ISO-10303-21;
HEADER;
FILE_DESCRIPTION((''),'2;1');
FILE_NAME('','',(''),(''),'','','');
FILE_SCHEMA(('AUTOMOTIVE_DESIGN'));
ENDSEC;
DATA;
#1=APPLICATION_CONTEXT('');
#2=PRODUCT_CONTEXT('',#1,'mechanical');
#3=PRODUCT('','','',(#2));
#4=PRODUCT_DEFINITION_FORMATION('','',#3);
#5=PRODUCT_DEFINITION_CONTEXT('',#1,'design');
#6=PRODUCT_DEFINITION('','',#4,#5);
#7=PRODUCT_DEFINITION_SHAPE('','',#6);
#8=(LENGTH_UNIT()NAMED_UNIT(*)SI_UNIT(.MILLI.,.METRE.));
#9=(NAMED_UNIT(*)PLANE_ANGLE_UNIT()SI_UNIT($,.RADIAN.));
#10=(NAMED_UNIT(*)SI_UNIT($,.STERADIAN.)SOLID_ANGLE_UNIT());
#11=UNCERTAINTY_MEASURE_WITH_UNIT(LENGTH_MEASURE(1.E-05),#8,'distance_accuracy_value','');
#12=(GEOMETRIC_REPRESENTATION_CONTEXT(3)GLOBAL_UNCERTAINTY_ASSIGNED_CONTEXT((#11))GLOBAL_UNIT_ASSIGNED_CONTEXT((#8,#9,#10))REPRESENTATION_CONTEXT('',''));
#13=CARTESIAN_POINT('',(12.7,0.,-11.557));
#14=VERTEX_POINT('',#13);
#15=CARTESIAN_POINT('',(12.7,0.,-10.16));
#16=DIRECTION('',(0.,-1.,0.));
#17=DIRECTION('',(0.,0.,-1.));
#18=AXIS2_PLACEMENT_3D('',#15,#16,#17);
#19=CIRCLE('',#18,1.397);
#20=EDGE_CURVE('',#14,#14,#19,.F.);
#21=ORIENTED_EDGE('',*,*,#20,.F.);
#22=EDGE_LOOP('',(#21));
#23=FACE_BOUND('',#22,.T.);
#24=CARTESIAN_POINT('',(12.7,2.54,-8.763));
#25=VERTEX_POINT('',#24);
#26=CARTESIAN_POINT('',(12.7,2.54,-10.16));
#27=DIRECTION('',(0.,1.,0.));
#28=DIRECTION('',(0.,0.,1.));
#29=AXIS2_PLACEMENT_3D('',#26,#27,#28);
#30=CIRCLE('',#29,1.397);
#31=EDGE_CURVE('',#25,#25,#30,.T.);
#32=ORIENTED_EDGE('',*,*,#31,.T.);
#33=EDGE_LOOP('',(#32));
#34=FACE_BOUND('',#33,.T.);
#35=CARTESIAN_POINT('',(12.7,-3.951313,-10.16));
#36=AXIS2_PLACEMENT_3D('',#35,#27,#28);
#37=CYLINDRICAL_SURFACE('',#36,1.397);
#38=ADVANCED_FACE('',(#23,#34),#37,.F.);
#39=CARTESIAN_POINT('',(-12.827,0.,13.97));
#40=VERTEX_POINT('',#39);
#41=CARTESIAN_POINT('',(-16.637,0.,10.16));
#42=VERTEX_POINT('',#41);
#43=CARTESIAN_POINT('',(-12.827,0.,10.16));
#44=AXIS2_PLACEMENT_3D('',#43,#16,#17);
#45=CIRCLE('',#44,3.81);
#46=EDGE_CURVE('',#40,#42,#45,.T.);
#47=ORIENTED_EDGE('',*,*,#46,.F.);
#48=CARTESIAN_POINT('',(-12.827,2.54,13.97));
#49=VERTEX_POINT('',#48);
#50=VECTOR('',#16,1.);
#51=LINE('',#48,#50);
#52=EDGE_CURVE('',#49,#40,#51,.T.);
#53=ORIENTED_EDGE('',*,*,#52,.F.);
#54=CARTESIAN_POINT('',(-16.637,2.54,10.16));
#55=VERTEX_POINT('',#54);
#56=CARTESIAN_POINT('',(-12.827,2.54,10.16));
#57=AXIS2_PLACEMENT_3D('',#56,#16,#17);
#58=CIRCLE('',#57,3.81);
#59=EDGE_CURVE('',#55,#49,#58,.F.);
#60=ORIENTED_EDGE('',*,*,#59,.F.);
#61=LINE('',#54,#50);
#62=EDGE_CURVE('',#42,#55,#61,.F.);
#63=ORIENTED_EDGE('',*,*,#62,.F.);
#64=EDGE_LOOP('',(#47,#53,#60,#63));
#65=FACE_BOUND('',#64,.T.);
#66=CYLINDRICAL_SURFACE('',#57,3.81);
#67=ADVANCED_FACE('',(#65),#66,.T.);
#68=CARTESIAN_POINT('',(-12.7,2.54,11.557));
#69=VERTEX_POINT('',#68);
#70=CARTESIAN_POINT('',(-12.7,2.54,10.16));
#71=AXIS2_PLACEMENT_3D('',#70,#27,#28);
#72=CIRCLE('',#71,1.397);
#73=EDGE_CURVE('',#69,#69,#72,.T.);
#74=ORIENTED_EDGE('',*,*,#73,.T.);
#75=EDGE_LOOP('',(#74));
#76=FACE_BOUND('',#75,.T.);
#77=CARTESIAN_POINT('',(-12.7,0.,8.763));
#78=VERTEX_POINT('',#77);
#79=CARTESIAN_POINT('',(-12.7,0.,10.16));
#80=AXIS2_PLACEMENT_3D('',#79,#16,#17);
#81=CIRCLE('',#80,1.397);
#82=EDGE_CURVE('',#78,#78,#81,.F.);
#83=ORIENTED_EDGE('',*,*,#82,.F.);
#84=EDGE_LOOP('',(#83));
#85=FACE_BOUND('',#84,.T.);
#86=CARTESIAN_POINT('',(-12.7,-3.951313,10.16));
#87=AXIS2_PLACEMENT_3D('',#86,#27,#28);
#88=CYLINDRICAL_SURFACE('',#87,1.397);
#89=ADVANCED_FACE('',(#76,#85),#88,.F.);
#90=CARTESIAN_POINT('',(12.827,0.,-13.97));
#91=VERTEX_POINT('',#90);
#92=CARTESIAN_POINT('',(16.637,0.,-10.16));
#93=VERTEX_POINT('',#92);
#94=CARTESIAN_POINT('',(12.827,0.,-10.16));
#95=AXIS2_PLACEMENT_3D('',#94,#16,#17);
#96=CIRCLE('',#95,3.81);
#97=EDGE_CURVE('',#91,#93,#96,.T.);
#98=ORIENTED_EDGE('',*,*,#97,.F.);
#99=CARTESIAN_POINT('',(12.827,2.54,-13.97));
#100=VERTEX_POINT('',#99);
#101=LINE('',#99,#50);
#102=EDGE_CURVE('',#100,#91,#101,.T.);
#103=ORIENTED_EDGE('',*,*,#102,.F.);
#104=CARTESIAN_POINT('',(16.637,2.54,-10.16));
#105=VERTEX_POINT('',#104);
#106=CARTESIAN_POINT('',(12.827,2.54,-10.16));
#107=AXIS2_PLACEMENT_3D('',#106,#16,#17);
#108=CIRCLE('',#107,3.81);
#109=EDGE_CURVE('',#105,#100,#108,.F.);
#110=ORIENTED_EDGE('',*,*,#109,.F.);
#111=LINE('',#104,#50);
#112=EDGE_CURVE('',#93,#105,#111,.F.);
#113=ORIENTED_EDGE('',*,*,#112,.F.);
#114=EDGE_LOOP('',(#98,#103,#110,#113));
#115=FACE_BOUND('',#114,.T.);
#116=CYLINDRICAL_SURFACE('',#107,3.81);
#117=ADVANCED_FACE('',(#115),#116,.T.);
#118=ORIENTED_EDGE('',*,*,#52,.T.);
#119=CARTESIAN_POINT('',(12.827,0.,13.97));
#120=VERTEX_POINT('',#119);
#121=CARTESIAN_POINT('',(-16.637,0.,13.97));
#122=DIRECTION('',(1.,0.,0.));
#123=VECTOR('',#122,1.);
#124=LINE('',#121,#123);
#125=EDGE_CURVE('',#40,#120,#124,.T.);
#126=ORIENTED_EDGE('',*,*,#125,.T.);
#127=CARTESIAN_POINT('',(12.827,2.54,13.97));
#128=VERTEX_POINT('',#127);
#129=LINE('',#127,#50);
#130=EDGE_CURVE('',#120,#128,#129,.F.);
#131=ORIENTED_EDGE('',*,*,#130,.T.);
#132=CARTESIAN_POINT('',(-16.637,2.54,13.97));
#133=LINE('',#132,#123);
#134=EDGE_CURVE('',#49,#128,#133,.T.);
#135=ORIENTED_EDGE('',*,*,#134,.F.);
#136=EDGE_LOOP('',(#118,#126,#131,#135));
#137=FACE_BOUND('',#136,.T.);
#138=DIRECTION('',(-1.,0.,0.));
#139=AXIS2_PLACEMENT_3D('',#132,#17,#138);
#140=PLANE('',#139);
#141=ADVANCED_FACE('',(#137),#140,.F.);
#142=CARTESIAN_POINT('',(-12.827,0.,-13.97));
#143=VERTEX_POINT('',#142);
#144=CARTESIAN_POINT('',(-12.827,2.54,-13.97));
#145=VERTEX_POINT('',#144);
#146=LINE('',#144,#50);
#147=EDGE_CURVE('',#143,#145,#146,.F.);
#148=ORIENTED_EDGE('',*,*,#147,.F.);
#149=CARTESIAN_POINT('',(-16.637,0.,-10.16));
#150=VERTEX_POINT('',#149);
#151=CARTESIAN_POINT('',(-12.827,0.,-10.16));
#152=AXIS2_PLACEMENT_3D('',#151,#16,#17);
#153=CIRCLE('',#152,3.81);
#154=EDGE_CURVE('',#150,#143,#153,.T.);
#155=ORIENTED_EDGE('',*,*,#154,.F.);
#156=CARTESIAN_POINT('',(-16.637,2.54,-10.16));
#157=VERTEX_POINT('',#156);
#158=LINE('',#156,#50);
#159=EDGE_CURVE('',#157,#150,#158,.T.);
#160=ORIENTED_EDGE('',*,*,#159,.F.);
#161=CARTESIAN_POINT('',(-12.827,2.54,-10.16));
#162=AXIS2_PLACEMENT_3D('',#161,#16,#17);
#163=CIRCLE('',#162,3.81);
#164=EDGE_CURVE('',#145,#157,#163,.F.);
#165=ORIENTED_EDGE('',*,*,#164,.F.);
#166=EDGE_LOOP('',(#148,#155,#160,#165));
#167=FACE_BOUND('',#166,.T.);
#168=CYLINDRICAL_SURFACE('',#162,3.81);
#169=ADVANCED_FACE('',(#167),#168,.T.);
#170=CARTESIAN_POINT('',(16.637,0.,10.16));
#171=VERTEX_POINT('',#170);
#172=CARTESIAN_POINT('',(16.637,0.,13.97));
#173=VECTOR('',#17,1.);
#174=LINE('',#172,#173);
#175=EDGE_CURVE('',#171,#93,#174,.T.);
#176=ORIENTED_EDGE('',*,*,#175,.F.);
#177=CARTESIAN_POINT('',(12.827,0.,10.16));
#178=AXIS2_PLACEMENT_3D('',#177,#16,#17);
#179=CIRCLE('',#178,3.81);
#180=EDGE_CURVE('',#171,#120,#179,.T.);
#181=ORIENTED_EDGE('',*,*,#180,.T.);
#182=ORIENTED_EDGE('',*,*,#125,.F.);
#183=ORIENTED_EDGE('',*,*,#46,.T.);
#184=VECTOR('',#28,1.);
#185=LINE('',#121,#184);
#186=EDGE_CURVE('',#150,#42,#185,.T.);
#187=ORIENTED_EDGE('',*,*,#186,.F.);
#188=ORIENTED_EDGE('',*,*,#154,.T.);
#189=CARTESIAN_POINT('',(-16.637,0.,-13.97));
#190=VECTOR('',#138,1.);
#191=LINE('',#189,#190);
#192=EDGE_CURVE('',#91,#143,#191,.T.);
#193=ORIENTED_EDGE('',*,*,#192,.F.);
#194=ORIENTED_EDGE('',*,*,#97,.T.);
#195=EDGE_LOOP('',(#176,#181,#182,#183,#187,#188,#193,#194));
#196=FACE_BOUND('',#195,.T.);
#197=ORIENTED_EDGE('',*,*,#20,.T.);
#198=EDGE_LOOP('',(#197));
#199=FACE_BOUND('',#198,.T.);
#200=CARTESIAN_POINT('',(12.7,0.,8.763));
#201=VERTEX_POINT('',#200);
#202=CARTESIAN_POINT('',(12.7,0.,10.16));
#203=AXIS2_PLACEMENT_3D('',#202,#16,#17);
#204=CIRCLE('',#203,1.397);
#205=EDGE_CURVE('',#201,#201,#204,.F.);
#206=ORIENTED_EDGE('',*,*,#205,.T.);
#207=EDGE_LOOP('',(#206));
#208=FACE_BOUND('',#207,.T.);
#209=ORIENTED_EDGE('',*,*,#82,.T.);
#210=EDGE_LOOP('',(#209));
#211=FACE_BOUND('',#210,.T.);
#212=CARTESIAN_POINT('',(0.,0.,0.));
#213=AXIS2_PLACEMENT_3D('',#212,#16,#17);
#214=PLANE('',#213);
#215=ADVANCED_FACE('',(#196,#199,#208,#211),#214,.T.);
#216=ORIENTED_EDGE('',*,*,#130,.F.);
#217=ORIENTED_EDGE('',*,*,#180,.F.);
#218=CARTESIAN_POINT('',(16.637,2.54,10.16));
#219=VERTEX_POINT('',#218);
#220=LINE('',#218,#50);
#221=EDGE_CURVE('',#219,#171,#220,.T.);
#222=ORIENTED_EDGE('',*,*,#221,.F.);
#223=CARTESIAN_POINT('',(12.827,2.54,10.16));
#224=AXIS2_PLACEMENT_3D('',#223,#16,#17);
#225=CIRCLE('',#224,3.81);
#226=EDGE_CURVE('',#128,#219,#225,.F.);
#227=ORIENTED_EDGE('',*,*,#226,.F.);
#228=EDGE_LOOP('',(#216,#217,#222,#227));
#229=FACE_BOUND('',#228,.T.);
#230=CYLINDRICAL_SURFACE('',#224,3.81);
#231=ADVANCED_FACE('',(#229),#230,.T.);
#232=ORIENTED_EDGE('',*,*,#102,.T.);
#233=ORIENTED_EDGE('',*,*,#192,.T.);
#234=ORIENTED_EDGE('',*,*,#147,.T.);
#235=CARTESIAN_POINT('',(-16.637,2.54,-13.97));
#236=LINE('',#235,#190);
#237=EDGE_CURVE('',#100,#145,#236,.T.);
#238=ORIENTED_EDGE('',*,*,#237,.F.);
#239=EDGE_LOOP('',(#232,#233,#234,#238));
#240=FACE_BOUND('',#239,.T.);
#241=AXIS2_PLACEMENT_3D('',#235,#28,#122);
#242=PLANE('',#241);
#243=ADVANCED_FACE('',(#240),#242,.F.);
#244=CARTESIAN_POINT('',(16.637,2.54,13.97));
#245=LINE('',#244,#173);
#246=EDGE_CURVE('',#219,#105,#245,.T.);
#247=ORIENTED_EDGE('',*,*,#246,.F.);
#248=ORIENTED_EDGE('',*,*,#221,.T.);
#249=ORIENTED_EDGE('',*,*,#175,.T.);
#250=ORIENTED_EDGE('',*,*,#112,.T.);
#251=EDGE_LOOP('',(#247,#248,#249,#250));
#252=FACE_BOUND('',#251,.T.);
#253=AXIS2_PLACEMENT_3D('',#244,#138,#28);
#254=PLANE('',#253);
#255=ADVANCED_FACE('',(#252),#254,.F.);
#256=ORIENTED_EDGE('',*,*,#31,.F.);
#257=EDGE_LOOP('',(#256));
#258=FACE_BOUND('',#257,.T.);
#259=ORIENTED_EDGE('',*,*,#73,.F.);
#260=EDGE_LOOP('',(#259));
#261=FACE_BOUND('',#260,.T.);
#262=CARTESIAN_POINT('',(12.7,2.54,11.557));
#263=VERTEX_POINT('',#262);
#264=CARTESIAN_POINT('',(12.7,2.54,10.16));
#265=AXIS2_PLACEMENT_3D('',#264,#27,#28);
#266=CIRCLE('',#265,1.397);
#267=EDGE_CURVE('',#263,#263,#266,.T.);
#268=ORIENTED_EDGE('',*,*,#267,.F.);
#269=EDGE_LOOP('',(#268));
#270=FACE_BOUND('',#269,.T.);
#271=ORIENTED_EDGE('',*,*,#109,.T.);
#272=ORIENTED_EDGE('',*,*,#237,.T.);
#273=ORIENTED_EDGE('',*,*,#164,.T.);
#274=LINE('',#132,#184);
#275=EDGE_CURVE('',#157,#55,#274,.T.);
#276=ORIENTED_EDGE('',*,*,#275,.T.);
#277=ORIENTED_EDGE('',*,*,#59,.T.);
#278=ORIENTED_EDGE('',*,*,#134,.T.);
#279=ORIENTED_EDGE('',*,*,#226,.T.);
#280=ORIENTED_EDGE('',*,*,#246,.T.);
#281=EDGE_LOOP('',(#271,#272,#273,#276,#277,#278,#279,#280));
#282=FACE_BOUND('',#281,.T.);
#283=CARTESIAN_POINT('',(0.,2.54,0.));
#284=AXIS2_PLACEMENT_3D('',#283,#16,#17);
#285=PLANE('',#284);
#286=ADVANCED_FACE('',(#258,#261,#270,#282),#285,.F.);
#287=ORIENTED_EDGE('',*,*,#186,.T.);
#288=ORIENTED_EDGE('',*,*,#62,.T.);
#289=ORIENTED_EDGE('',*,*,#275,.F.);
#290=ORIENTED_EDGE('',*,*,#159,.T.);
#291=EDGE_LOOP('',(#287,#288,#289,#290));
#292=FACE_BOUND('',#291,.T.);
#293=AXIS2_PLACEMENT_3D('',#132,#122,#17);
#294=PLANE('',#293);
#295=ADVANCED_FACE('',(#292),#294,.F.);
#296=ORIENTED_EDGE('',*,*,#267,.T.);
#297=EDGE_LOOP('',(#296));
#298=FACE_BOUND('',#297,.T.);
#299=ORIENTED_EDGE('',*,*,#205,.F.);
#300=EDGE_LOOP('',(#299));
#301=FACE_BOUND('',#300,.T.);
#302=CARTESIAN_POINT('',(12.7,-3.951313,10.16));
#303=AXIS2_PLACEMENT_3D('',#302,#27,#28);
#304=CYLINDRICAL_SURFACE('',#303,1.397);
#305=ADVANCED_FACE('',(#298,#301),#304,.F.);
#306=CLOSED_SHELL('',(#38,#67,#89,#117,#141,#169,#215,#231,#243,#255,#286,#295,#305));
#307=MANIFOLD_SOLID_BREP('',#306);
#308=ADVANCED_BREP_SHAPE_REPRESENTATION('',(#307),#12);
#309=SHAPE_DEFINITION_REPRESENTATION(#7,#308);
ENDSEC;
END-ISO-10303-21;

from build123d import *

# Parameters (mm, degrees)
SKETCH1_W           = 33.274
SKETCH1_H           = 27.94
BOSS_EXTRUDE1_DEPTH = 2.54
SKETCH2_R           = 1.397
CUT_EXTRUDE1_DEPTH  = 2.54
FILLET1_R           = 3.81


with BuildPart() as part:
    # Sketch1 → Boss-Extrude1 (new body)
    with BuildSketch(Plane(origin=(0, 0, 0), x_dir=(1, 0, 0), z_dir=(0, 1, 0))):
        Rectangle(SKETCH1_W, SKETCH1_H)
    extrude(amount=BOSS_EXTRUDE1_DEPTH)

    # Sketch2 → Cut-Extrude1 (cut)
    with BuildSketch(Plane(origin=(0, 2.54, 0), x_dir=(1, 0, 0), z_dir=(0, 1, 0))):
        with Locations((12.7, -10.16)):
            Circle(SKETCH2_R)
        with Locations((-12.7, -10.16)):
            Circle(SKETCH2_R)
        with Locations((12.7, 10.16)):
            Circle(SKETCH2_R)
    extrude(amount=-CUT_EXTRUDE1_DEPTH, mode=Mode.SUBTRACT)

    # Fillet1
    fillet1_edges = [part.edges().sort_by_distance(p)[0] for p in [
        (16.637, 1.27, 13.97),
        (-16.637, 1.27, 13.97),
        (-16.637, 1.27, -13.97),
        (16.637, 1.27, -13.97),
    ]]
    fillet(fillet1_edges, radius=FILLET1_R)


solid = part.part
